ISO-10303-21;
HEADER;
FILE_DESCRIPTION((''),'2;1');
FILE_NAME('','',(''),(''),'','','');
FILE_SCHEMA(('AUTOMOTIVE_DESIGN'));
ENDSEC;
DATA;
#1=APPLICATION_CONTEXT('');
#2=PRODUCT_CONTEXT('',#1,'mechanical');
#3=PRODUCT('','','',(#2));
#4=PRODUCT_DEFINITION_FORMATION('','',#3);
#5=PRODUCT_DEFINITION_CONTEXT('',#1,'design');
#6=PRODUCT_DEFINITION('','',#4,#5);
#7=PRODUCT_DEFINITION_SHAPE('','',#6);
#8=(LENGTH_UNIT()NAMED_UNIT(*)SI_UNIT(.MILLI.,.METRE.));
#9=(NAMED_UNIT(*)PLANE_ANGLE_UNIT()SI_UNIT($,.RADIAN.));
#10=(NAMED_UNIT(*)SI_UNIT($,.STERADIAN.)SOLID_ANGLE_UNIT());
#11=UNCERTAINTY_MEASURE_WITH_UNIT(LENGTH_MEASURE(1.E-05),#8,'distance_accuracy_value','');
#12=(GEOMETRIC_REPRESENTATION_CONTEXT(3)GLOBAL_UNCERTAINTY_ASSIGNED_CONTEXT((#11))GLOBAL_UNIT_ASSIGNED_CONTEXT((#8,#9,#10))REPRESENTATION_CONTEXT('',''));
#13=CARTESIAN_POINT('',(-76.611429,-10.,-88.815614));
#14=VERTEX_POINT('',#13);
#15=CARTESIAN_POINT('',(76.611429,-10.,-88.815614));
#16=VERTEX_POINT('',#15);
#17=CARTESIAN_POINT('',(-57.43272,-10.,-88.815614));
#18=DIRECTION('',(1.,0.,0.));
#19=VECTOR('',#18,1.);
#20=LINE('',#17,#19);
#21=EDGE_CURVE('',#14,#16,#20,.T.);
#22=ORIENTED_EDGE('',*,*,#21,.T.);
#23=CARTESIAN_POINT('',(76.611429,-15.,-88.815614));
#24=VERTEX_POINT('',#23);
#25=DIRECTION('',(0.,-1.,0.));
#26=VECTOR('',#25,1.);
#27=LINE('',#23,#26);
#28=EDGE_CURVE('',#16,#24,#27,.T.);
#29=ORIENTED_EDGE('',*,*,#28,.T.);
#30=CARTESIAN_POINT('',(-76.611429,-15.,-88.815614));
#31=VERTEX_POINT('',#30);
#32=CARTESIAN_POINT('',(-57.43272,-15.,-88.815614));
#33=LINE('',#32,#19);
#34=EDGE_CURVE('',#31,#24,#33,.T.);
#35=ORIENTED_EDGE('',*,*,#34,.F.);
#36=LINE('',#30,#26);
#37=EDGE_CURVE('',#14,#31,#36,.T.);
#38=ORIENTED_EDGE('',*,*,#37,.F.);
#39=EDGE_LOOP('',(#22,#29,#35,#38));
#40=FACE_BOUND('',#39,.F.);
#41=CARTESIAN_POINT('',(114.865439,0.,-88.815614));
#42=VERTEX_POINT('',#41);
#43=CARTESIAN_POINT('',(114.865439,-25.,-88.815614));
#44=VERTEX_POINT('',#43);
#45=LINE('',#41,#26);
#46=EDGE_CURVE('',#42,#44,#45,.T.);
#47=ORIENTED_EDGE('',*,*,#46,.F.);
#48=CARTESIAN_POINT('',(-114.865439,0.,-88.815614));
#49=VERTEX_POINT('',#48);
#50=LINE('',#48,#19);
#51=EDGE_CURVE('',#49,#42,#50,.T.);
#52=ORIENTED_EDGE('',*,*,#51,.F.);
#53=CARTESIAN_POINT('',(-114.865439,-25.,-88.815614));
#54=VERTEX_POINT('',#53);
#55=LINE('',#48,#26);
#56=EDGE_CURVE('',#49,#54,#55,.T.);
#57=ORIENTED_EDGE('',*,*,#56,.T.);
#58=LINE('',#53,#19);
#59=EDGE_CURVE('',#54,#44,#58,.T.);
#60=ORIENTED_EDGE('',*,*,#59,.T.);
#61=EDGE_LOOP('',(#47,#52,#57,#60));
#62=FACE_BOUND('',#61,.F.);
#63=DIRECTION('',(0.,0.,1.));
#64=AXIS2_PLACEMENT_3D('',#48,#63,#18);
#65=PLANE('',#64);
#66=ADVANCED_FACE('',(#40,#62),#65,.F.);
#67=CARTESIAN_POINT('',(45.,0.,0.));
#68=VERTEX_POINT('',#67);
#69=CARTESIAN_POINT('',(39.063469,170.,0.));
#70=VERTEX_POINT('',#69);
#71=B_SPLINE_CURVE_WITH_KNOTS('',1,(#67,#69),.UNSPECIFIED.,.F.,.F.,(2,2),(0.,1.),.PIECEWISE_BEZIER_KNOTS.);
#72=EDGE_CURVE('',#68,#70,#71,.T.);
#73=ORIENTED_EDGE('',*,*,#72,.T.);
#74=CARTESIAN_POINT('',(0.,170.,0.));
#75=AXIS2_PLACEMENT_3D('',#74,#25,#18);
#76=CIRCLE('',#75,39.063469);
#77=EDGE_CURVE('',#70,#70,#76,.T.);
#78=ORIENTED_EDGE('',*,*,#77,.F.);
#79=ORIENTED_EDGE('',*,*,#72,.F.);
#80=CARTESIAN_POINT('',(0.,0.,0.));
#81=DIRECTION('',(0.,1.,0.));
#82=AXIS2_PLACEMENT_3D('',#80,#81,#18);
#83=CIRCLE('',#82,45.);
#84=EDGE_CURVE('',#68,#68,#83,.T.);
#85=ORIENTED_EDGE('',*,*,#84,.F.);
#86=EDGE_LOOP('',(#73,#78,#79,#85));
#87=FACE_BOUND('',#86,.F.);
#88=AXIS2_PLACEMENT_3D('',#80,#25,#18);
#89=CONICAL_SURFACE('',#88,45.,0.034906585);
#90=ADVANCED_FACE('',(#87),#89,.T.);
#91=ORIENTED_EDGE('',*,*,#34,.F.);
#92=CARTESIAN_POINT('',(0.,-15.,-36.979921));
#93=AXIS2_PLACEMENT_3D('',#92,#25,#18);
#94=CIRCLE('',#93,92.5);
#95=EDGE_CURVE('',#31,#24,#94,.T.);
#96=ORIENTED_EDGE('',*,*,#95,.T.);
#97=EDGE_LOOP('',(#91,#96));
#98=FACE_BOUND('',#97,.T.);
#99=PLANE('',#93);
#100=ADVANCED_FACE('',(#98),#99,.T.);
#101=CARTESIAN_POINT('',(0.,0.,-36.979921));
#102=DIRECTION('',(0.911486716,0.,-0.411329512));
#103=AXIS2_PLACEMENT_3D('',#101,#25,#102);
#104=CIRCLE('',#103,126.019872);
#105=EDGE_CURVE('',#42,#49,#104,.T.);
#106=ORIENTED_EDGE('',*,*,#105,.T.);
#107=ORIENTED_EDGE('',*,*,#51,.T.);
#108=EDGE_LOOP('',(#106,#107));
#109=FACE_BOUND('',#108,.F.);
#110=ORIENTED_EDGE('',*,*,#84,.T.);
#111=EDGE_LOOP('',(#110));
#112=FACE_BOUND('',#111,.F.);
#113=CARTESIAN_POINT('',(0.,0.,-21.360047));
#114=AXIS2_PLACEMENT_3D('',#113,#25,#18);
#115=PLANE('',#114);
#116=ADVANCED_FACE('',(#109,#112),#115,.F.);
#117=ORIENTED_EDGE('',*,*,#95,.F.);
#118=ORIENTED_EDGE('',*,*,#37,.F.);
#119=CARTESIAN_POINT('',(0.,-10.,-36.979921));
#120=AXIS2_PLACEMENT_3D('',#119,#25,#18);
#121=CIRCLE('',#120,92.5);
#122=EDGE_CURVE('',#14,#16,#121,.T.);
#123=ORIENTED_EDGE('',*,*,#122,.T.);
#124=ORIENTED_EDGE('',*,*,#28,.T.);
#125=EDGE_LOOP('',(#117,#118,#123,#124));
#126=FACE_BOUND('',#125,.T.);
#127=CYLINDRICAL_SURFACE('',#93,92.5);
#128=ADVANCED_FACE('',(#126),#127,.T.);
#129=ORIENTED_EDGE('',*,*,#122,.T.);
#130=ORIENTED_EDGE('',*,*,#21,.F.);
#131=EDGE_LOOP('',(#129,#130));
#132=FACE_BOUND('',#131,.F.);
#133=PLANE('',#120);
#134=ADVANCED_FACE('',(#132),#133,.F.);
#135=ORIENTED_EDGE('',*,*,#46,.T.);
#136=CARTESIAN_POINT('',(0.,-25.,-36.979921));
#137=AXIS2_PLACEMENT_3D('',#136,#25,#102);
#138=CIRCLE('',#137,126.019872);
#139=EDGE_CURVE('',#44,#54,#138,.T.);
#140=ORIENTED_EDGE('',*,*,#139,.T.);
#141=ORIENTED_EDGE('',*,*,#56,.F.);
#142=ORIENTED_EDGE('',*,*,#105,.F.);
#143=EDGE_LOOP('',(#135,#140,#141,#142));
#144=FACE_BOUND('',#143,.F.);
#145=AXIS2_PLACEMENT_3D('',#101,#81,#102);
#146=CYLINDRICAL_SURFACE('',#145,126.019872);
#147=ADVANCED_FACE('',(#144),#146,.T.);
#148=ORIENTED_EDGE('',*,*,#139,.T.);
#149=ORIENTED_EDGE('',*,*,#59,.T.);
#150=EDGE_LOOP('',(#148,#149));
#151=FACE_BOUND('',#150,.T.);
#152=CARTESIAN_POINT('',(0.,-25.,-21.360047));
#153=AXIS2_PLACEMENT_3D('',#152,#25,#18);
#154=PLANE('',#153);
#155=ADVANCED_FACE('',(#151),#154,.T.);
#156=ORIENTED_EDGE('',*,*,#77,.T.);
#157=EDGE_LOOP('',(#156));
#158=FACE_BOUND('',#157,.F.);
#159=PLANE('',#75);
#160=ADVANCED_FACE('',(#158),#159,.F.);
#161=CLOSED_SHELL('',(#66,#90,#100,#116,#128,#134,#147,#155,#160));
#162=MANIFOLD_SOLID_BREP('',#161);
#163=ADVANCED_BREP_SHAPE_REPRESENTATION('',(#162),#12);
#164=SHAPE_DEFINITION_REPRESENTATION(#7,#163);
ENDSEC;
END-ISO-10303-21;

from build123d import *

# Parameters (mm, degrees)
F0_R     = 45
F1_DEPTH = 170
F1_TAPER = 2
F3_DEPTH = 25
F5_START = -10
F4_R     = 92.5
F5_DEPTH = 5


with BuildPart() as f1:
    # F0 (on Front) → F1 (new body)
    with BuildSketch(Plane.XZ):
        Circle(F0_R)
    extrude(amount=-F1_DEPTH, taper=F1_TAPER)

    # F2 (on face) → F3 (join)
    with BuildSketch(Plane.XZ):
        with BuildLine():
            Line((-114.8654392336, -88.8156135872), (114.8654392336, -88.8156135872))
            ThreePointArc((114.8654392336, -88.8156135872), (0, 89.0399508403), (-114.8654392336, -88.8156135872))
        make_face()
    extrude(amount=F3_DEPTH)

    # F4 (on face) → F5 (join)
    with BuildSketch(Plane.XZ.offset(25).offset(F5_START)):
        with Locations((0, -36.9799211621)):
            Circle(F4_R)
    extrude(amount=-F5_DEPTH)


solid = f1.part
